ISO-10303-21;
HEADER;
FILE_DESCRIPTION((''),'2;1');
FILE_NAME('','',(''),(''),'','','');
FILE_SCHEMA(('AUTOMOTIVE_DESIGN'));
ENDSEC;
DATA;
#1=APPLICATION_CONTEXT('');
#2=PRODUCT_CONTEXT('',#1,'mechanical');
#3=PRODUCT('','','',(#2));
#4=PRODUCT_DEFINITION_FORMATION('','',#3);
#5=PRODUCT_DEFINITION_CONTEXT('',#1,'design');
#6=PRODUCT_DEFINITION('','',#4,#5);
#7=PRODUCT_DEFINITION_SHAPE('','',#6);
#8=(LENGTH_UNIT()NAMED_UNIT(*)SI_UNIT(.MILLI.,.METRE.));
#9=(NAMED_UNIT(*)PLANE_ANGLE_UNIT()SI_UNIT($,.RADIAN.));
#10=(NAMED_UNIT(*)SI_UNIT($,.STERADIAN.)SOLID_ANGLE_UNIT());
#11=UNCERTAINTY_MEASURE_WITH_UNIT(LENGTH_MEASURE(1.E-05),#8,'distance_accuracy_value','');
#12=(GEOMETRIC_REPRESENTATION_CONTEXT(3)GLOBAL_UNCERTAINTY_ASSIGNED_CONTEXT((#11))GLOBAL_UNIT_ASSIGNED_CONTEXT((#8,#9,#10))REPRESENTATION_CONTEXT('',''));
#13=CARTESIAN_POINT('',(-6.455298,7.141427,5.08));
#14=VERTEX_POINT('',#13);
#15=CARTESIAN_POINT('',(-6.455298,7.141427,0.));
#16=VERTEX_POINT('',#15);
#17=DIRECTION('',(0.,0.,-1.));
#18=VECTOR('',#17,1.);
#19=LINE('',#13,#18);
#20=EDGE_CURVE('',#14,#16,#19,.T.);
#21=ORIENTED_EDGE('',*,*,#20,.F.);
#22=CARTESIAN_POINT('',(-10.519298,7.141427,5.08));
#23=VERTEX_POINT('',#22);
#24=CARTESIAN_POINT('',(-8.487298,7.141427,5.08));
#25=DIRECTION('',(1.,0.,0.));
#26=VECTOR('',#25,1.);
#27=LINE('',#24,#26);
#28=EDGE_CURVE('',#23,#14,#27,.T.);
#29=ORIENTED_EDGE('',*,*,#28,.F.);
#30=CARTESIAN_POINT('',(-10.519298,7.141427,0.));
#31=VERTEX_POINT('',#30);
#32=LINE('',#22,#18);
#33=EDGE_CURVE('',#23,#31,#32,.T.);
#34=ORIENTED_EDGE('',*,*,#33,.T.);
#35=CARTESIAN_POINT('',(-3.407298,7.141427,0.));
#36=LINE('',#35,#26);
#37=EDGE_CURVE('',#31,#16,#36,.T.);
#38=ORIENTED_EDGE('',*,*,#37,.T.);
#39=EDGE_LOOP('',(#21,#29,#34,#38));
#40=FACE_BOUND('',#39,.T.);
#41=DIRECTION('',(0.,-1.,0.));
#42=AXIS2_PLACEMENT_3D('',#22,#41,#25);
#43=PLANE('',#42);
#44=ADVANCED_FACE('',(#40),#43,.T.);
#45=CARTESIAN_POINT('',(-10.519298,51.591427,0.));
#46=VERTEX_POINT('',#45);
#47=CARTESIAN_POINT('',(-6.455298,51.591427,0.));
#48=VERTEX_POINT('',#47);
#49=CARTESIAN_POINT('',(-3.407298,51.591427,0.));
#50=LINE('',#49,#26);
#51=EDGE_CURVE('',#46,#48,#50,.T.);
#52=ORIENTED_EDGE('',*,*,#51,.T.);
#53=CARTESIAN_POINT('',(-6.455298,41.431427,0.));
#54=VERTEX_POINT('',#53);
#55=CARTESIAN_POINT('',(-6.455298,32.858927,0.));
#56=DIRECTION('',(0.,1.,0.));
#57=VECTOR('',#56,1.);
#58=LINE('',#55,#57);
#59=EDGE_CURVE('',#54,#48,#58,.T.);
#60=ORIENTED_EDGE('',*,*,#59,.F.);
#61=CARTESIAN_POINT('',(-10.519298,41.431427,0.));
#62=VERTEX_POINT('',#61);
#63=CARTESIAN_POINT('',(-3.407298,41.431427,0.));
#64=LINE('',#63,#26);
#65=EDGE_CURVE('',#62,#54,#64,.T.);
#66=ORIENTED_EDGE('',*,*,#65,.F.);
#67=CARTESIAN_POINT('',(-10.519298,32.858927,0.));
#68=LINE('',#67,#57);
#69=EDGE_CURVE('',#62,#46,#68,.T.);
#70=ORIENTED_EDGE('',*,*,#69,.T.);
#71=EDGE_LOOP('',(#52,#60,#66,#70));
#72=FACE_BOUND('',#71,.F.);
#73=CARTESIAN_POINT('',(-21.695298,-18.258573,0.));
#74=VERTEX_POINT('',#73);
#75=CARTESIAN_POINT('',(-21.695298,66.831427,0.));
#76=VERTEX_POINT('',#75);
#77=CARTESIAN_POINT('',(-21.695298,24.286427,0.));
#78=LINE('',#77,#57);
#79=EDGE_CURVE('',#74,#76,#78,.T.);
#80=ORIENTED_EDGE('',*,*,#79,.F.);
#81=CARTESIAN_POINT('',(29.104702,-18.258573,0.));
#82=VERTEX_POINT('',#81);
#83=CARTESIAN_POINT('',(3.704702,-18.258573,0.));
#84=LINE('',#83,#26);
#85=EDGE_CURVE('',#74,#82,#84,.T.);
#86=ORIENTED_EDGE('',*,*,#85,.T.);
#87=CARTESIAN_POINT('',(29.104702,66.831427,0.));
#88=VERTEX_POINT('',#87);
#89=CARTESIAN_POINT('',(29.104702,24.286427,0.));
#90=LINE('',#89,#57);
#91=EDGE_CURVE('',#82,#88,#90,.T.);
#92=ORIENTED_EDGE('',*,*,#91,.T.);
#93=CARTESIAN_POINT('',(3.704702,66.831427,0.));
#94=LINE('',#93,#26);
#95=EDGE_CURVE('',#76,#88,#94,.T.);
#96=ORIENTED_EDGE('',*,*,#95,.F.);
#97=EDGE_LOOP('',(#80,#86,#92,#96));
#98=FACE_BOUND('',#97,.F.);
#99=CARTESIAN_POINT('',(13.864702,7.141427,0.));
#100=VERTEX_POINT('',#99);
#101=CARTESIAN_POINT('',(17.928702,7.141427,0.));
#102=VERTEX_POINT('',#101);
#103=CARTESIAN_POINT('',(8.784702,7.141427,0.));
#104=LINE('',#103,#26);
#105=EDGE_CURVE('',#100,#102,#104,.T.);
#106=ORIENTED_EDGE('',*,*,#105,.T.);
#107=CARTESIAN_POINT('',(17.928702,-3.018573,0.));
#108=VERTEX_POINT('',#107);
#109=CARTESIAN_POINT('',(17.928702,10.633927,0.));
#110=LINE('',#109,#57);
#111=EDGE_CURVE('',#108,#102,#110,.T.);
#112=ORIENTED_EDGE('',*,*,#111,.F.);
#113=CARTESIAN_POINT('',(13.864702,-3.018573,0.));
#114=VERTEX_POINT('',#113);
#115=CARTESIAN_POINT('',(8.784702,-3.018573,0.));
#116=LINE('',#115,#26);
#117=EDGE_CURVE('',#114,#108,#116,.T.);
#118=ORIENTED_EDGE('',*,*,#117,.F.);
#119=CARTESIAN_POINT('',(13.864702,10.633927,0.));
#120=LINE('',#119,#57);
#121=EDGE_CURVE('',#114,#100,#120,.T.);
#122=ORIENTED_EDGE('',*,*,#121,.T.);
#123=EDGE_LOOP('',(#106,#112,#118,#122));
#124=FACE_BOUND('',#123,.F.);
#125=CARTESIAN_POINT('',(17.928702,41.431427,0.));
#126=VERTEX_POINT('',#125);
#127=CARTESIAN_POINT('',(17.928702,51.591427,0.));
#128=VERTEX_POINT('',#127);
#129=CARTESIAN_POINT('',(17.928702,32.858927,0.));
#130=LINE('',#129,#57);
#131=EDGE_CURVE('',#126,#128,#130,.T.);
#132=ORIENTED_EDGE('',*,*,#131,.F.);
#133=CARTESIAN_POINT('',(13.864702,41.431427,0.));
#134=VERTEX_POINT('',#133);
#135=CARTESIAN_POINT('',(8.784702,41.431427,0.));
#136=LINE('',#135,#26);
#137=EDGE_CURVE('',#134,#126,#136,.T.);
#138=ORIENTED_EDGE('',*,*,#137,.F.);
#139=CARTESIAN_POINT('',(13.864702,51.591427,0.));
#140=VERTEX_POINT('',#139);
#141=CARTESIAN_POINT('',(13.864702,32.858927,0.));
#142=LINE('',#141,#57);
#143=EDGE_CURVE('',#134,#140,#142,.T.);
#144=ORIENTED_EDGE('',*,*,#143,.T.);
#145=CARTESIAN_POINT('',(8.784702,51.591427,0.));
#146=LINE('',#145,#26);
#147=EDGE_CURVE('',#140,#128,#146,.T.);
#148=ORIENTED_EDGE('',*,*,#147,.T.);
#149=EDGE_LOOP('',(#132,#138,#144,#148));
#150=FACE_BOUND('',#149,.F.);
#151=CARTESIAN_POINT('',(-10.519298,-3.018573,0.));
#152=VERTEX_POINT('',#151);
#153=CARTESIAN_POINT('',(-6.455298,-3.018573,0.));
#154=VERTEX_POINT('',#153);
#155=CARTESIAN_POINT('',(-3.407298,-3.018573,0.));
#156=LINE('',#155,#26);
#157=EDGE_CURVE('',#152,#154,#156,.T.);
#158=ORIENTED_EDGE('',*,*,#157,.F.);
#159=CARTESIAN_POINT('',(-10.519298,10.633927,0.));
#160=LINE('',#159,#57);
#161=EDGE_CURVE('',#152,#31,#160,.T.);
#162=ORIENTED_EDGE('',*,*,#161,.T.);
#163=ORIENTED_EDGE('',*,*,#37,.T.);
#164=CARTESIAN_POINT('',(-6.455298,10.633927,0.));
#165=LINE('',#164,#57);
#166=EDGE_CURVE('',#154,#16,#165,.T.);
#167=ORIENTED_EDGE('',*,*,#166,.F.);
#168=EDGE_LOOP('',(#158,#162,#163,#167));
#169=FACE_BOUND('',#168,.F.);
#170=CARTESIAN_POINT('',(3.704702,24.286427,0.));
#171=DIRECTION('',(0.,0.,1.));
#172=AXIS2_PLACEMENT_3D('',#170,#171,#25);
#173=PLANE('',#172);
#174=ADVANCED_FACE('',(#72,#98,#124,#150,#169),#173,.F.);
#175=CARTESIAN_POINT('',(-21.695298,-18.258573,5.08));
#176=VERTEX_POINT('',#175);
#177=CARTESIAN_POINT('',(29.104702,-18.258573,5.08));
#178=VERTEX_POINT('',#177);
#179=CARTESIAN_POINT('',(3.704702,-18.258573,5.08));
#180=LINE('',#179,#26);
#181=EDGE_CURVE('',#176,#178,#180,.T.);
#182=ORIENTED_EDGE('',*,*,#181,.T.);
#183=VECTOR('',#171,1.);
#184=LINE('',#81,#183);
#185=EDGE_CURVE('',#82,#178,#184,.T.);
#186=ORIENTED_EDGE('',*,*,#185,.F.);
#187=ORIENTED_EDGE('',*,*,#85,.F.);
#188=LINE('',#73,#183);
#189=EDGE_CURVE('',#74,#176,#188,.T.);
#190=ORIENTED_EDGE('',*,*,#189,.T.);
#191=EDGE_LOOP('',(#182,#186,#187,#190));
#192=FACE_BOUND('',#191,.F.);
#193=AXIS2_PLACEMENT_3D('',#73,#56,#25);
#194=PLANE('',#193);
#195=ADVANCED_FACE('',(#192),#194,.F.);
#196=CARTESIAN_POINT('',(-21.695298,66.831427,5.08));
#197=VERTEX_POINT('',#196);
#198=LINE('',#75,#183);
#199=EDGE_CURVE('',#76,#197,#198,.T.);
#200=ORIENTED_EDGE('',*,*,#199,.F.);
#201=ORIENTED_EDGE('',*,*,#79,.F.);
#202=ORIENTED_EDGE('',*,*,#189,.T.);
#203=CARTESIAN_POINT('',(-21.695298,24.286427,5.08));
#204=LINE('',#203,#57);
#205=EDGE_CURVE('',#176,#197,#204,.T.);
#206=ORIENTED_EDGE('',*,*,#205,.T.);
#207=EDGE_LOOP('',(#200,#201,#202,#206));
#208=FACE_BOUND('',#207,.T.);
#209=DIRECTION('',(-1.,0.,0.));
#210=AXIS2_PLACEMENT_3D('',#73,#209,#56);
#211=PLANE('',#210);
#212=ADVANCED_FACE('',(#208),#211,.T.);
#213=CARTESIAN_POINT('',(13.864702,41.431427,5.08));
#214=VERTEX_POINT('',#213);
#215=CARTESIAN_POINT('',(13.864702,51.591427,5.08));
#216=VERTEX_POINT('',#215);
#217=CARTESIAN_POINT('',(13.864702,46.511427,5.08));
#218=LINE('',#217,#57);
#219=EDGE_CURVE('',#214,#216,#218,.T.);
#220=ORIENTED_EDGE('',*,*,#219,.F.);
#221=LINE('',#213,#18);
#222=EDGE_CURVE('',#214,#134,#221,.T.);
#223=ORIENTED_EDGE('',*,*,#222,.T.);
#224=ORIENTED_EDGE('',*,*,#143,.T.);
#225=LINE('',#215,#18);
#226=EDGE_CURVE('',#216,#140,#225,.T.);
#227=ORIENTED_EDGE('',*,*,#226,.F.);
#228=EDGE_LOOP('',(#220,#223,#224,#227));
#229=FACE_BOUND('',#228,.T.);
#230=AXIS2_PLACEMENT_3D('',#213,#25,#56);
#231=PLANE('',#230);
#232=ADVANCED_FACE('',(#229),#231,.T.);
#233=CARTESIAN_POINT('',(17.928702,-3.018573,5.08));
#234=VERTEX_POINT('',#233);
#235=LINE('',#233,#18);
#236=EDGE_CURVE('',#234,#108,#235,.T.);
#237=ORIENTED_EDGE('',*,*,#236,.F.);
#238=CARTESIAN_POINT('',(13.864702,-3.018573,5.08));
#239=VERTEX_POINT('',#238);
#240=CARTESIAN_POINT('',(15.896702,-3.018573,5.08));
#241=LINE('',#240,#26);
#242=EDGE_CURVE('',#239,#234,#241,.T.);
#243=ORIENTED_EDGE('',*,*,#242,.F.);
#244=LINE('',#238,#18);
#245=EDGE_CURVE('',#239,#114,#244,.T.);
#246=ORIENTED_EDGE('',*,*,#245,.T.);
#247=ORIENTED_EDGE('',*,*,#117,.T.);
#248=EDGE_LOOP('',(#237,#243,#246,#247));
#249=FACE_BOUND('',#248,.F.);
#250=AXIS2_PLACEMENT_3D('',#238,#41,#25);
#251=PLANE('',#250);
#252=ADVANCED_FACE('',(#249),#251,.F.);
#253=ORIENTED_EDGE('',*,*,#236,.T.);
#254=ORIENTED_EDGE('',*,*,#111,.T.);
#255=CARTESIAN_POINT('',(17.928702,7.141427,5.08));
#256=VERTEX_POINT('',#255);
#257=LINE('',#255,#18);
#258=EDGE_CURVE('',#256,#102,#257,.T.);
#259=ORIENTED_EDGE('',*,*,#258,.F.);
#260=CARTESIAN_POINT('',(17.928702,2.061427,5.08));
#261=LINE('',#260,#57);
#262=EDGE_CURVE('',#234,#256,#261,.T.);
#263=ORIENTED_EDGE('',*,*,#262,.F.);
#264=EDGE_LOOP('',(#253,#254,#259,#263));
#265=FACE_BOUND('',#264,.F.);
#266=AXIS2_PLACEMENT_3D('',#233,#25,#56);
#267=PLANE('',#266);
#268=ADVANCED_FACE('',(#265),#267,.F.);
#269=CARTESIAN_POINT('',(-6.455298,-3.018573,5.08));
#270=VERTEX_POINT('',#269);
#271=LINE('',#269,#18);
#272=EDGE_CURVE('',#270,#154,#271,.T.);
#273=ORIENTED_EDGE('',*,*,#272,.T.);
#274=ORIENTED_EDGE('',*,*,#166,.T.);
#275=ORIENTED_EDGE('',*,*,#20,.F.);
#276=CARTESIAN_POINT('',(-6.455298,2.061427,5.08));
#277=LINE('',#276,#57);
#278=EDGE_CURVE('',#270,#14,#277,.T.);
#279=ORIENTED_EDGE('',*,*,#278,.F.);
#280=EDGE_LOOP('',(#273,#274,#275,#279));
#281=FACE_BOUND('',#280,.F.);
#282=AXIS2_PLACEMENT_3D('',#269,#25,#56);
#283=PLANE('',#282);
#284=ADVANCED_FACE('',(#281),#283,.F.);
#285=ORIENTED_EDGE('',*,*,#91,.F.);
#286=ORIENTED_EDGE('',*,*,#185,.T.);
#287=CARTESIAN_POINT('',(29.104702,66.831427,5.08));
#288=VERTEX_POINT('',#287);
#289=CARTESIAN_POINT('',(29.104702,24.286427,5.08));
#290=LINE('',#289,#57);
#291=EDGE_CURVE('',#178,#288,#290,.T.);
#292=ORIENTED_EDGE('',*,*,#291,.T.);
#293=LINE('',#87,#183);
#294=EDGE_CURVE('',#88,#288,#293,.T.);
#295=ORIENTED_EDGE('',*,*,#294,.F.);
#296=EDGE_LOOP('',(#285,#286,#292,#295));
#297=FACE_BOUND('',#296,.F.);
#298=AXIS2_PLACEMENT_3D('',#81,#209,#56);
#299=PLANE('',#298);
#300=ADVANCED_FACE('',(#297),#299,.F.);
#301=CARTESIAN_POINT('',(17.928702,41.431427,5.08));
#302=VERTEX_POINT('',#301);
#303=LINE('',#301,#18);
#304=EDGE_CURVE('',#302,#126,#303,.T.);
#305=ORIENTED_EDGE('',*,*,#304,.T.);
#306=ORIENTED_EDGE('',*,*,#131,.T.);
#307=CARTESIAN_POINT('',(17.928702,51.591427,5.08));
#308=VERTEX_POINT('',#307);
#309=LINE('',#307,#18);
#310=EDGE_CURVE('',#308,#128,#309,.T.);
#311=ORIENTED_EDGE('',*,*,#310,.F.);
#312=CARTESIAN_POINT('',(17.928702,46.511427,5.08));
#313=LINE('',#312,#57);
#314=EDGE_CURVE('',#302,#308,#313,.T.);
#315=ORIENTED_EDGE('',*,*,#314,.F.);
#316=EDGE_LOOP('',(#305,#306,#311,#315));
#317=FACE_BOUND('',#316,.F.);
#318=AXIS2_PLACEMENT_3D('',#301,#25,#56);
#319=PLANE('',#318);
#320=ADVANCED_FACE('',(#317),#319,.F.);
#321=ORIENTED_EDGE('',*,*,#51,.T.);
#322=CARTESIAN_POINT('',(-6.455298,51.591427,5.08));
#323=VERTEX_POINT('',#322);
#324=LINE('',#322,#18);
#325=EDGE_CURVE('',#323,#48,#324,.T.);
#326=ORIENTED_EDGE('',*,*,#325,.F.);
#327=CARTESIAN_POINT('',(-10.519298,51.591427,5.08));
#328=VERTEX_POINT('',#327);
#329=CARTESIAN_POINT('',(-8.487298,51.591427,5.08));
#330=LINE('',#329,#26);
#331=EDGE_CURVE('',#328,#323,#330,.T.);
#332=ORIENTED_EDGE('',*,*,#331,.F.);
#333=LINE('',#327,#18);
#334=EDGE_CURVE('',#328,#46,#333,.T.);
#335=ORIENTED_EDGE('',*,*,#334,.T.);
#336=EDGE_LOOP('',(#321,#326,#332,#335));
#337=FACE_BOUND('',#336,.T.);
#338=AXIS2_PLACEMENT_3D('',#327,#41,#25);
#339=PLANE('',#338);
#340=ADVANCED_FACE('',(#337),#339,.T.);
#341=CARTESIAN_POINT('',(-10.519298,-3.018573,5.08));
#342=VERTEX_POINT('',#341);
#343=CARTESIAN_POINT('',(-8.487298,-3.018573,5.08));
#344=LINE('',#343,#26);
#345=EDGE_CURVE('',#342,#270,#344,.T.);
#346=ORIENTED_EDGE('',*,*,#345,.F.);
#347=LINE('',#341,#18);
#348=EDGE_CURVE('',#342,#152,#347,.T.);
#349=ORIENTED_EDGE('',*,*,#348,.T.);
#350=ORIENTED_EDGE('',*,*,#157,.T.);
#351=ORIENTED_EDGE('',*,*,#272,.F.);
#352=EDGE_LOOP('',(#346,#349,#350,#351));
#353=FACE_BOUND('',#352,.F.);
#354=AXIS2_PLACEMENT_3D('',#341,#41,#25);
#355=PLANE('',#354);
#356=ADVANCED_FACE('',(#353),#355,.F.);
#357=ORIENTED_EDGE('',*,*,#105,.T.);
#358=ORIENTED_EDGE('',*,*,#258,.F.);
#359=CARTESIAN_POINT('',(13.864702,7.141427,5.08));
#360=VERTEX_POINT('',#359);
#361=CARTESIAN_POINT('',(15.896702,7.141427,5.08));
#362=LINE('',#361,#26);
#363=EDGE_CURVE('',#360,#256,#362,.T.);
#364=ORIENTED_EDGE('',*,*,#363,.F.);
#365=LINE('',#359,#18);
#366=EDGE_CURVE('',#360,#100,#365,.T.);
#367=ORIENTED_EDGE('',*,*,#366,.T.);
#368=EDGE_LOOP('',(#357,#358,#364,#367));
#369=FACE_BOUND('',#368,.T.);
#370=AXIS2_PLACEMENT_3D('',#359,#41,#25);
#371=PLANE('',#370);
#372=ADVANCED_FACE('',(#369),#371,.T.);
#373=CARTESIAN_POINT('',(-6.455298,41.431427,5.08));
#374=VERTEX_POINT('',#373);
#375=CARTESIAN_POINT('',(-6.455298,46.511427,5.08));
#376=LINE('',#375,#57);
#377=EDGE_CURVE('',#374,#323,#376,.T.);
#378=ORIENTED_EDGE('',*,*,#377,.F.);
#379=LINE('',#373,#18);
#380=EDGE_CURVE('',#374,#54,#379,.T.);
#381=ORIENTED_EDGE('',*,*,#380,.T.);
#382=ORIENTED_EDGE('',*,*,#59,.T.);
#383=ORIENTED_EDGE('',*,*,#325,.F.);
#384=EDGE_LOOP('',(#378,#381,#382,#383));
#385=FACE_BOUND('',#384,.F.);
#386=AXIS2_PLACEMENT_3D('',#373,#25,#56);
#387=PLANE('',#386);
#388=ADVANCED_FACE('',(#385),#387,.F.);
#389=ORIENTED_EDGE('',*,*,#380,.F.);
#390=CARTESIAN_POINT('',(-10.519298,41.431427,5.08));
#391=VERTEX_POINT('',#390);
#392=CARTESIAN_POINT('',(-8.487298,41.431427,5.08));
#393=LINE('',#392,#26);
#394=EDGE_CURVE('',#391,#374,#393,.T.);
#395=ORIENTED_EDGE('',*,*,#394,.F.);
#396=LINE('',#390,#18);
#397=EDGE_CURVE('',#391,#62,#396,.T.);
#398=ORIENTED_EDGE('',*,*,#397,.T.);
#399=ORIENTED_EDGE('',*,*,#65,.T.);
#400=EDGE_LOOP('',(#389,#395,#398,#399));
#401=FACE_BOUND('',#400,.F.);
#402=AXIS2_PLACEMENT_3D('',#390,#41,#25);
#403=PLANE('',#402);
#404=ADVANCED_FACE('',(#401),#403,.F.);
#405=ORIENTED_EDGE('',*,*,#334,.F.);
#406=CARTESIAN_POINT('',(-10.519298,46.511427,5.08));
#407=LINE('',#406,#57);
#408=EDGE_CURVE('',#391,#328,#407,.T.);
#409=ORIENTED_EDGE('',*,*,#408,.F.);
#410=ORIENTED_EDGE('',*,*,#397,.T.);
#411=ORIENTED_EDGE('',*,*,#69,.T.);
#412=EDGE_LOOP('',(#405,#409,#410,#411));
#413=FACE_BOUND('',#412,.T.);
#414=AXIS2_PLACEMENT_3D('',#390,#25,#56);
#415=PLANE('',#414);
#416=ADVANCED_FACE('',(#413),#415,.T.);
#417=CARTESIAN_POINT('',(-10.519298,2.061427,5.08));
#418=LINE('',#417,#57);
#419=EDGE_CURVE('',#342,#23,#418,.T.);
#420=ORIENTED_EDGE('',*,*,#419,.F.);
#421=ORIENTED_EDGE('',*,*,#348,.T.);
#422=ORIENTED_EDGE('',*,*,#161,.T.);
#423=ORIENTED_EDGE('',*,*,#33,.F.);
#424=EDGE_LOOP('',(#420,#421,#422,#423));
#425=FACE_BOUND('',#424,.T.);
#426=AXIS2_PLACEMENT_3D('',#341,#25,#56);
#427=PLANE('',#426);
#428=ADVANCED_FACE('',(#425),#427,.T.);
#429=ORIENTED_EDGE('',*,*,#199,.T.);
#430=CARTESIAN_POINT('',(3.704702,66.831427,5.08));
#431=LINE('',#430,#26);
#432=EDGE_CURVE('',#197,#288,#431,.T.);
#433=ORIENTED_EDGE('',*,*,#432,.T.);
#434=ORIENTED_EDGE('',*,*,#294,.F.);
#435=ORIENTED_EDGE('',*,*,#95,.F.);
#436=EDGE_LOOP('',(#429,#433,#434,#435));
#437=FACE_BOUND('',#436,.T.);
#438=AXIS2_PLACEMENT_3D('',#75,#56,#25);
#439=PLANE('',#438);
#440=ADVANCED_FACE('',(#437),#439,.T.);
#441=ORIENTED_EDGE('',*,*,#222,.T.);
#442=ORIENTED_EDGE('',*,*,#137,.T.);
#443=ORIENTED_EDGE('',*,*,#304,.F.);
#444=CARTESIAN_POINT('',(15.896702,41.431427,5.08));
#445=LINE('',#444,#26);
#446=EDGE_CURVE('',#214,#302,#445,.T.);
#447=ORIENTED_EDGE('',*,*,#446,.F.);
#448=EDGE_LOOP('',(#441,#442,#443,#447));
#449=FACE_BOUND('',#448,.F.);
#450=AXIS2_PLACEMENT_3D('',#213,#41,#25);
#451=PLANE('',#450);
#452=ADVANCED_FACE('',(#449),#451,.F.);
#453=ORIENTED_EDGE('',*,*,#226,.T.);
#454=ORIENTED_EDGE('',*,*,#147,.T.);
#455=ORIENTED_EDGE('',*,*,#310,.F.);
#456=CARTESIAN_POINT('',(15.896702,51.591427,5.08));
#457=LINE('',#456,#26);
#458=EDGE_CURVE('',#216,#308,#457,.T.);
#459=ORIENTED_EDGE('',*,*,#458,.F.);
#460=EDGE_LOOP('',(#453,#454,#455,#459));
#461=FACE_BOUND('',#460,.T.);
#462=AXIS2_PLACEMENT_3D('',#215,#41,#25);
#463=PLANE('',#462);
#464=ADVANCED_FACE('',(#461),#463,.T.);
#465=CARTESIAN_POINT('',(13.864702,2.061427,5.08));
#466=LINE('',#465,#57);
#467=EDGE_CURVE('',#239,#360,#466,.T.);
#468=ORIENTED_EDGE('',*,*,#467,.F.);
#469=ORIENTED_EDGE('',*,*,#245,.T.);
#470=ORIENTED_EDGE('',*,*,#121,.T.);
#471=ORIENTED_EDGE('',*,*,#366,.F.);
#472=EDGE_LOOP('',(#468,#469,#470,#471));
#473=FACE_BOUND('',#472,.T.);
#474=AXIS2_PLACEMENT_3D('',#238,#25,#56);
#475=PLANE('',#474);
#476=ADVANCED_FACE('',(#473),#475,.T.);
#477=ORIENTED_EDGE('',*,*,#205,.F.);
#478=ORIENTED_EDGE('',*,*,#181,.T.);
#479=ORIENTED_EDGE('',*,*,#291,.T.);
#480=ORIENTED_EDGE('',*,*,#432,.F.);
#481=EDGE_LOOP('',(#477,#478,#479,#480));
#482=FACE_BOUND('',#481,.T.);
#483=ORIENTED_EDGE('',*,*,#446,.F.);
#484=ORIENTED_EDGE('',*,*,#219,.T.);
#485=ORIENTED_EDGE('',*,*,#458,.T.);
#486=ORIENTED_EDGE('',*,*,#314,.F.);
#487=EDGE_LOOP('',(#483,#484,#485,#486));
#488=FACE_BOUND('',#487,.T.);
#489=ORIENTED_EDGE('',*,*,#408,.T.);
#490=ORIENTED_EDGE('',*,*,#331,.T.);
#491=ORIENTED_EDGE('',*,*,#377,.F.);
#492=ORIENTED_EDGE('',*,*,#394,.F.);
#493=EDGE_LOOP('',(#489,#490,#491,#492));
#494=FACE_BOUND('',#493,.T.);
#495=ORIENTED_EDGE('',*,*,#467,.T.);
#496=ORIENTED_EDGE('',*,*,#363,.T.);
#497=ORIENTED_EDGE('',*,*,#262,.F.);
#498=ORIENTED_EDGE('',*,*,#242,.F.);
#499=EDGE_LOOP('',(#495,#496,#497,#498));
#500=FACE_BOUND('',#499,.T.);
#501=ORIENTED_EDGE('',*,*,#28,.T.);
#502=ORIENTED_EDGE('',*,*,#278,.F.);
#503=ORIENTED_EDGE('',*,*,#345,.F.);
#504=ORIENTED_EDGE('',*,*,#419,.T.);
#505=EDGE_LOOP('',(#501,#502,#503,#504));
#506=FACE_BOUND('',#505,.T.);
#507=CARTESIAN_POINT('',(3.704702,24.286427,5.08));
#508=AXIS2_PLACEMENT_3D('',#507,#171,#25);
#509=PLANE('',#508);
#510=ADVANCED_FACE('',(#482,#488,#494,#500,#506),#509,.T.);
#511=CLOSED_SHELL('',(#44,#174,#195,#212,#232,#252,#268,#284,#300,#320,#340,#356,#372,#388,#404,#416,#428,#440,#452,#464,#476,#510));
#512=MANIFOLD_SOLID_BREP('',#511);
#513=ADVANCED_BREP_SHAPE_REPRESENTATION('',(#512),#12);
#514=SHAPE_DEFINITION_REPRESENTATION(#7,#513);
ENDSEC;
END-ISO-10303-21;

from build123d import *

# Parameters (mm, degrees)
F0_W     = 50.8
F0_H     = 85.09
F1_DEPTH = 5.08
F2_W     = 4.064
F2_H     = 10.16
F3_DEPTH = 25.4


with BuildPart() as f1:
    # F0 (on Top) → F1 (new body)
    with BuildSketch(Plane.XY):
        with Locations((3.704702, 24.286427)):
            Rectangle(F0_W, F0_H)
    extrude(amount=F1_DEPTH)

    # F2 (on face) → F3 (cut)
    with BuildSketch(Plane.XY.offset(5.08)):
        with Locations((-8.487298, 46.511427)):
            Rectangle(F2_W, F2_H)
        with Locations((15.896702, 46.511427)):
            Rectangle(F2_W, F2_H)
        with Locations((-8.487298, 2.061427)):
            Rectangle(F2_W, F2_H)
        with Locations((15.896702, 2.061427)):
            Rectangle(F2_W, F2_H)
    extrude(amount=-F3_DEPTH, mode=Mode.SUBTRACT)


solid = f1.part
